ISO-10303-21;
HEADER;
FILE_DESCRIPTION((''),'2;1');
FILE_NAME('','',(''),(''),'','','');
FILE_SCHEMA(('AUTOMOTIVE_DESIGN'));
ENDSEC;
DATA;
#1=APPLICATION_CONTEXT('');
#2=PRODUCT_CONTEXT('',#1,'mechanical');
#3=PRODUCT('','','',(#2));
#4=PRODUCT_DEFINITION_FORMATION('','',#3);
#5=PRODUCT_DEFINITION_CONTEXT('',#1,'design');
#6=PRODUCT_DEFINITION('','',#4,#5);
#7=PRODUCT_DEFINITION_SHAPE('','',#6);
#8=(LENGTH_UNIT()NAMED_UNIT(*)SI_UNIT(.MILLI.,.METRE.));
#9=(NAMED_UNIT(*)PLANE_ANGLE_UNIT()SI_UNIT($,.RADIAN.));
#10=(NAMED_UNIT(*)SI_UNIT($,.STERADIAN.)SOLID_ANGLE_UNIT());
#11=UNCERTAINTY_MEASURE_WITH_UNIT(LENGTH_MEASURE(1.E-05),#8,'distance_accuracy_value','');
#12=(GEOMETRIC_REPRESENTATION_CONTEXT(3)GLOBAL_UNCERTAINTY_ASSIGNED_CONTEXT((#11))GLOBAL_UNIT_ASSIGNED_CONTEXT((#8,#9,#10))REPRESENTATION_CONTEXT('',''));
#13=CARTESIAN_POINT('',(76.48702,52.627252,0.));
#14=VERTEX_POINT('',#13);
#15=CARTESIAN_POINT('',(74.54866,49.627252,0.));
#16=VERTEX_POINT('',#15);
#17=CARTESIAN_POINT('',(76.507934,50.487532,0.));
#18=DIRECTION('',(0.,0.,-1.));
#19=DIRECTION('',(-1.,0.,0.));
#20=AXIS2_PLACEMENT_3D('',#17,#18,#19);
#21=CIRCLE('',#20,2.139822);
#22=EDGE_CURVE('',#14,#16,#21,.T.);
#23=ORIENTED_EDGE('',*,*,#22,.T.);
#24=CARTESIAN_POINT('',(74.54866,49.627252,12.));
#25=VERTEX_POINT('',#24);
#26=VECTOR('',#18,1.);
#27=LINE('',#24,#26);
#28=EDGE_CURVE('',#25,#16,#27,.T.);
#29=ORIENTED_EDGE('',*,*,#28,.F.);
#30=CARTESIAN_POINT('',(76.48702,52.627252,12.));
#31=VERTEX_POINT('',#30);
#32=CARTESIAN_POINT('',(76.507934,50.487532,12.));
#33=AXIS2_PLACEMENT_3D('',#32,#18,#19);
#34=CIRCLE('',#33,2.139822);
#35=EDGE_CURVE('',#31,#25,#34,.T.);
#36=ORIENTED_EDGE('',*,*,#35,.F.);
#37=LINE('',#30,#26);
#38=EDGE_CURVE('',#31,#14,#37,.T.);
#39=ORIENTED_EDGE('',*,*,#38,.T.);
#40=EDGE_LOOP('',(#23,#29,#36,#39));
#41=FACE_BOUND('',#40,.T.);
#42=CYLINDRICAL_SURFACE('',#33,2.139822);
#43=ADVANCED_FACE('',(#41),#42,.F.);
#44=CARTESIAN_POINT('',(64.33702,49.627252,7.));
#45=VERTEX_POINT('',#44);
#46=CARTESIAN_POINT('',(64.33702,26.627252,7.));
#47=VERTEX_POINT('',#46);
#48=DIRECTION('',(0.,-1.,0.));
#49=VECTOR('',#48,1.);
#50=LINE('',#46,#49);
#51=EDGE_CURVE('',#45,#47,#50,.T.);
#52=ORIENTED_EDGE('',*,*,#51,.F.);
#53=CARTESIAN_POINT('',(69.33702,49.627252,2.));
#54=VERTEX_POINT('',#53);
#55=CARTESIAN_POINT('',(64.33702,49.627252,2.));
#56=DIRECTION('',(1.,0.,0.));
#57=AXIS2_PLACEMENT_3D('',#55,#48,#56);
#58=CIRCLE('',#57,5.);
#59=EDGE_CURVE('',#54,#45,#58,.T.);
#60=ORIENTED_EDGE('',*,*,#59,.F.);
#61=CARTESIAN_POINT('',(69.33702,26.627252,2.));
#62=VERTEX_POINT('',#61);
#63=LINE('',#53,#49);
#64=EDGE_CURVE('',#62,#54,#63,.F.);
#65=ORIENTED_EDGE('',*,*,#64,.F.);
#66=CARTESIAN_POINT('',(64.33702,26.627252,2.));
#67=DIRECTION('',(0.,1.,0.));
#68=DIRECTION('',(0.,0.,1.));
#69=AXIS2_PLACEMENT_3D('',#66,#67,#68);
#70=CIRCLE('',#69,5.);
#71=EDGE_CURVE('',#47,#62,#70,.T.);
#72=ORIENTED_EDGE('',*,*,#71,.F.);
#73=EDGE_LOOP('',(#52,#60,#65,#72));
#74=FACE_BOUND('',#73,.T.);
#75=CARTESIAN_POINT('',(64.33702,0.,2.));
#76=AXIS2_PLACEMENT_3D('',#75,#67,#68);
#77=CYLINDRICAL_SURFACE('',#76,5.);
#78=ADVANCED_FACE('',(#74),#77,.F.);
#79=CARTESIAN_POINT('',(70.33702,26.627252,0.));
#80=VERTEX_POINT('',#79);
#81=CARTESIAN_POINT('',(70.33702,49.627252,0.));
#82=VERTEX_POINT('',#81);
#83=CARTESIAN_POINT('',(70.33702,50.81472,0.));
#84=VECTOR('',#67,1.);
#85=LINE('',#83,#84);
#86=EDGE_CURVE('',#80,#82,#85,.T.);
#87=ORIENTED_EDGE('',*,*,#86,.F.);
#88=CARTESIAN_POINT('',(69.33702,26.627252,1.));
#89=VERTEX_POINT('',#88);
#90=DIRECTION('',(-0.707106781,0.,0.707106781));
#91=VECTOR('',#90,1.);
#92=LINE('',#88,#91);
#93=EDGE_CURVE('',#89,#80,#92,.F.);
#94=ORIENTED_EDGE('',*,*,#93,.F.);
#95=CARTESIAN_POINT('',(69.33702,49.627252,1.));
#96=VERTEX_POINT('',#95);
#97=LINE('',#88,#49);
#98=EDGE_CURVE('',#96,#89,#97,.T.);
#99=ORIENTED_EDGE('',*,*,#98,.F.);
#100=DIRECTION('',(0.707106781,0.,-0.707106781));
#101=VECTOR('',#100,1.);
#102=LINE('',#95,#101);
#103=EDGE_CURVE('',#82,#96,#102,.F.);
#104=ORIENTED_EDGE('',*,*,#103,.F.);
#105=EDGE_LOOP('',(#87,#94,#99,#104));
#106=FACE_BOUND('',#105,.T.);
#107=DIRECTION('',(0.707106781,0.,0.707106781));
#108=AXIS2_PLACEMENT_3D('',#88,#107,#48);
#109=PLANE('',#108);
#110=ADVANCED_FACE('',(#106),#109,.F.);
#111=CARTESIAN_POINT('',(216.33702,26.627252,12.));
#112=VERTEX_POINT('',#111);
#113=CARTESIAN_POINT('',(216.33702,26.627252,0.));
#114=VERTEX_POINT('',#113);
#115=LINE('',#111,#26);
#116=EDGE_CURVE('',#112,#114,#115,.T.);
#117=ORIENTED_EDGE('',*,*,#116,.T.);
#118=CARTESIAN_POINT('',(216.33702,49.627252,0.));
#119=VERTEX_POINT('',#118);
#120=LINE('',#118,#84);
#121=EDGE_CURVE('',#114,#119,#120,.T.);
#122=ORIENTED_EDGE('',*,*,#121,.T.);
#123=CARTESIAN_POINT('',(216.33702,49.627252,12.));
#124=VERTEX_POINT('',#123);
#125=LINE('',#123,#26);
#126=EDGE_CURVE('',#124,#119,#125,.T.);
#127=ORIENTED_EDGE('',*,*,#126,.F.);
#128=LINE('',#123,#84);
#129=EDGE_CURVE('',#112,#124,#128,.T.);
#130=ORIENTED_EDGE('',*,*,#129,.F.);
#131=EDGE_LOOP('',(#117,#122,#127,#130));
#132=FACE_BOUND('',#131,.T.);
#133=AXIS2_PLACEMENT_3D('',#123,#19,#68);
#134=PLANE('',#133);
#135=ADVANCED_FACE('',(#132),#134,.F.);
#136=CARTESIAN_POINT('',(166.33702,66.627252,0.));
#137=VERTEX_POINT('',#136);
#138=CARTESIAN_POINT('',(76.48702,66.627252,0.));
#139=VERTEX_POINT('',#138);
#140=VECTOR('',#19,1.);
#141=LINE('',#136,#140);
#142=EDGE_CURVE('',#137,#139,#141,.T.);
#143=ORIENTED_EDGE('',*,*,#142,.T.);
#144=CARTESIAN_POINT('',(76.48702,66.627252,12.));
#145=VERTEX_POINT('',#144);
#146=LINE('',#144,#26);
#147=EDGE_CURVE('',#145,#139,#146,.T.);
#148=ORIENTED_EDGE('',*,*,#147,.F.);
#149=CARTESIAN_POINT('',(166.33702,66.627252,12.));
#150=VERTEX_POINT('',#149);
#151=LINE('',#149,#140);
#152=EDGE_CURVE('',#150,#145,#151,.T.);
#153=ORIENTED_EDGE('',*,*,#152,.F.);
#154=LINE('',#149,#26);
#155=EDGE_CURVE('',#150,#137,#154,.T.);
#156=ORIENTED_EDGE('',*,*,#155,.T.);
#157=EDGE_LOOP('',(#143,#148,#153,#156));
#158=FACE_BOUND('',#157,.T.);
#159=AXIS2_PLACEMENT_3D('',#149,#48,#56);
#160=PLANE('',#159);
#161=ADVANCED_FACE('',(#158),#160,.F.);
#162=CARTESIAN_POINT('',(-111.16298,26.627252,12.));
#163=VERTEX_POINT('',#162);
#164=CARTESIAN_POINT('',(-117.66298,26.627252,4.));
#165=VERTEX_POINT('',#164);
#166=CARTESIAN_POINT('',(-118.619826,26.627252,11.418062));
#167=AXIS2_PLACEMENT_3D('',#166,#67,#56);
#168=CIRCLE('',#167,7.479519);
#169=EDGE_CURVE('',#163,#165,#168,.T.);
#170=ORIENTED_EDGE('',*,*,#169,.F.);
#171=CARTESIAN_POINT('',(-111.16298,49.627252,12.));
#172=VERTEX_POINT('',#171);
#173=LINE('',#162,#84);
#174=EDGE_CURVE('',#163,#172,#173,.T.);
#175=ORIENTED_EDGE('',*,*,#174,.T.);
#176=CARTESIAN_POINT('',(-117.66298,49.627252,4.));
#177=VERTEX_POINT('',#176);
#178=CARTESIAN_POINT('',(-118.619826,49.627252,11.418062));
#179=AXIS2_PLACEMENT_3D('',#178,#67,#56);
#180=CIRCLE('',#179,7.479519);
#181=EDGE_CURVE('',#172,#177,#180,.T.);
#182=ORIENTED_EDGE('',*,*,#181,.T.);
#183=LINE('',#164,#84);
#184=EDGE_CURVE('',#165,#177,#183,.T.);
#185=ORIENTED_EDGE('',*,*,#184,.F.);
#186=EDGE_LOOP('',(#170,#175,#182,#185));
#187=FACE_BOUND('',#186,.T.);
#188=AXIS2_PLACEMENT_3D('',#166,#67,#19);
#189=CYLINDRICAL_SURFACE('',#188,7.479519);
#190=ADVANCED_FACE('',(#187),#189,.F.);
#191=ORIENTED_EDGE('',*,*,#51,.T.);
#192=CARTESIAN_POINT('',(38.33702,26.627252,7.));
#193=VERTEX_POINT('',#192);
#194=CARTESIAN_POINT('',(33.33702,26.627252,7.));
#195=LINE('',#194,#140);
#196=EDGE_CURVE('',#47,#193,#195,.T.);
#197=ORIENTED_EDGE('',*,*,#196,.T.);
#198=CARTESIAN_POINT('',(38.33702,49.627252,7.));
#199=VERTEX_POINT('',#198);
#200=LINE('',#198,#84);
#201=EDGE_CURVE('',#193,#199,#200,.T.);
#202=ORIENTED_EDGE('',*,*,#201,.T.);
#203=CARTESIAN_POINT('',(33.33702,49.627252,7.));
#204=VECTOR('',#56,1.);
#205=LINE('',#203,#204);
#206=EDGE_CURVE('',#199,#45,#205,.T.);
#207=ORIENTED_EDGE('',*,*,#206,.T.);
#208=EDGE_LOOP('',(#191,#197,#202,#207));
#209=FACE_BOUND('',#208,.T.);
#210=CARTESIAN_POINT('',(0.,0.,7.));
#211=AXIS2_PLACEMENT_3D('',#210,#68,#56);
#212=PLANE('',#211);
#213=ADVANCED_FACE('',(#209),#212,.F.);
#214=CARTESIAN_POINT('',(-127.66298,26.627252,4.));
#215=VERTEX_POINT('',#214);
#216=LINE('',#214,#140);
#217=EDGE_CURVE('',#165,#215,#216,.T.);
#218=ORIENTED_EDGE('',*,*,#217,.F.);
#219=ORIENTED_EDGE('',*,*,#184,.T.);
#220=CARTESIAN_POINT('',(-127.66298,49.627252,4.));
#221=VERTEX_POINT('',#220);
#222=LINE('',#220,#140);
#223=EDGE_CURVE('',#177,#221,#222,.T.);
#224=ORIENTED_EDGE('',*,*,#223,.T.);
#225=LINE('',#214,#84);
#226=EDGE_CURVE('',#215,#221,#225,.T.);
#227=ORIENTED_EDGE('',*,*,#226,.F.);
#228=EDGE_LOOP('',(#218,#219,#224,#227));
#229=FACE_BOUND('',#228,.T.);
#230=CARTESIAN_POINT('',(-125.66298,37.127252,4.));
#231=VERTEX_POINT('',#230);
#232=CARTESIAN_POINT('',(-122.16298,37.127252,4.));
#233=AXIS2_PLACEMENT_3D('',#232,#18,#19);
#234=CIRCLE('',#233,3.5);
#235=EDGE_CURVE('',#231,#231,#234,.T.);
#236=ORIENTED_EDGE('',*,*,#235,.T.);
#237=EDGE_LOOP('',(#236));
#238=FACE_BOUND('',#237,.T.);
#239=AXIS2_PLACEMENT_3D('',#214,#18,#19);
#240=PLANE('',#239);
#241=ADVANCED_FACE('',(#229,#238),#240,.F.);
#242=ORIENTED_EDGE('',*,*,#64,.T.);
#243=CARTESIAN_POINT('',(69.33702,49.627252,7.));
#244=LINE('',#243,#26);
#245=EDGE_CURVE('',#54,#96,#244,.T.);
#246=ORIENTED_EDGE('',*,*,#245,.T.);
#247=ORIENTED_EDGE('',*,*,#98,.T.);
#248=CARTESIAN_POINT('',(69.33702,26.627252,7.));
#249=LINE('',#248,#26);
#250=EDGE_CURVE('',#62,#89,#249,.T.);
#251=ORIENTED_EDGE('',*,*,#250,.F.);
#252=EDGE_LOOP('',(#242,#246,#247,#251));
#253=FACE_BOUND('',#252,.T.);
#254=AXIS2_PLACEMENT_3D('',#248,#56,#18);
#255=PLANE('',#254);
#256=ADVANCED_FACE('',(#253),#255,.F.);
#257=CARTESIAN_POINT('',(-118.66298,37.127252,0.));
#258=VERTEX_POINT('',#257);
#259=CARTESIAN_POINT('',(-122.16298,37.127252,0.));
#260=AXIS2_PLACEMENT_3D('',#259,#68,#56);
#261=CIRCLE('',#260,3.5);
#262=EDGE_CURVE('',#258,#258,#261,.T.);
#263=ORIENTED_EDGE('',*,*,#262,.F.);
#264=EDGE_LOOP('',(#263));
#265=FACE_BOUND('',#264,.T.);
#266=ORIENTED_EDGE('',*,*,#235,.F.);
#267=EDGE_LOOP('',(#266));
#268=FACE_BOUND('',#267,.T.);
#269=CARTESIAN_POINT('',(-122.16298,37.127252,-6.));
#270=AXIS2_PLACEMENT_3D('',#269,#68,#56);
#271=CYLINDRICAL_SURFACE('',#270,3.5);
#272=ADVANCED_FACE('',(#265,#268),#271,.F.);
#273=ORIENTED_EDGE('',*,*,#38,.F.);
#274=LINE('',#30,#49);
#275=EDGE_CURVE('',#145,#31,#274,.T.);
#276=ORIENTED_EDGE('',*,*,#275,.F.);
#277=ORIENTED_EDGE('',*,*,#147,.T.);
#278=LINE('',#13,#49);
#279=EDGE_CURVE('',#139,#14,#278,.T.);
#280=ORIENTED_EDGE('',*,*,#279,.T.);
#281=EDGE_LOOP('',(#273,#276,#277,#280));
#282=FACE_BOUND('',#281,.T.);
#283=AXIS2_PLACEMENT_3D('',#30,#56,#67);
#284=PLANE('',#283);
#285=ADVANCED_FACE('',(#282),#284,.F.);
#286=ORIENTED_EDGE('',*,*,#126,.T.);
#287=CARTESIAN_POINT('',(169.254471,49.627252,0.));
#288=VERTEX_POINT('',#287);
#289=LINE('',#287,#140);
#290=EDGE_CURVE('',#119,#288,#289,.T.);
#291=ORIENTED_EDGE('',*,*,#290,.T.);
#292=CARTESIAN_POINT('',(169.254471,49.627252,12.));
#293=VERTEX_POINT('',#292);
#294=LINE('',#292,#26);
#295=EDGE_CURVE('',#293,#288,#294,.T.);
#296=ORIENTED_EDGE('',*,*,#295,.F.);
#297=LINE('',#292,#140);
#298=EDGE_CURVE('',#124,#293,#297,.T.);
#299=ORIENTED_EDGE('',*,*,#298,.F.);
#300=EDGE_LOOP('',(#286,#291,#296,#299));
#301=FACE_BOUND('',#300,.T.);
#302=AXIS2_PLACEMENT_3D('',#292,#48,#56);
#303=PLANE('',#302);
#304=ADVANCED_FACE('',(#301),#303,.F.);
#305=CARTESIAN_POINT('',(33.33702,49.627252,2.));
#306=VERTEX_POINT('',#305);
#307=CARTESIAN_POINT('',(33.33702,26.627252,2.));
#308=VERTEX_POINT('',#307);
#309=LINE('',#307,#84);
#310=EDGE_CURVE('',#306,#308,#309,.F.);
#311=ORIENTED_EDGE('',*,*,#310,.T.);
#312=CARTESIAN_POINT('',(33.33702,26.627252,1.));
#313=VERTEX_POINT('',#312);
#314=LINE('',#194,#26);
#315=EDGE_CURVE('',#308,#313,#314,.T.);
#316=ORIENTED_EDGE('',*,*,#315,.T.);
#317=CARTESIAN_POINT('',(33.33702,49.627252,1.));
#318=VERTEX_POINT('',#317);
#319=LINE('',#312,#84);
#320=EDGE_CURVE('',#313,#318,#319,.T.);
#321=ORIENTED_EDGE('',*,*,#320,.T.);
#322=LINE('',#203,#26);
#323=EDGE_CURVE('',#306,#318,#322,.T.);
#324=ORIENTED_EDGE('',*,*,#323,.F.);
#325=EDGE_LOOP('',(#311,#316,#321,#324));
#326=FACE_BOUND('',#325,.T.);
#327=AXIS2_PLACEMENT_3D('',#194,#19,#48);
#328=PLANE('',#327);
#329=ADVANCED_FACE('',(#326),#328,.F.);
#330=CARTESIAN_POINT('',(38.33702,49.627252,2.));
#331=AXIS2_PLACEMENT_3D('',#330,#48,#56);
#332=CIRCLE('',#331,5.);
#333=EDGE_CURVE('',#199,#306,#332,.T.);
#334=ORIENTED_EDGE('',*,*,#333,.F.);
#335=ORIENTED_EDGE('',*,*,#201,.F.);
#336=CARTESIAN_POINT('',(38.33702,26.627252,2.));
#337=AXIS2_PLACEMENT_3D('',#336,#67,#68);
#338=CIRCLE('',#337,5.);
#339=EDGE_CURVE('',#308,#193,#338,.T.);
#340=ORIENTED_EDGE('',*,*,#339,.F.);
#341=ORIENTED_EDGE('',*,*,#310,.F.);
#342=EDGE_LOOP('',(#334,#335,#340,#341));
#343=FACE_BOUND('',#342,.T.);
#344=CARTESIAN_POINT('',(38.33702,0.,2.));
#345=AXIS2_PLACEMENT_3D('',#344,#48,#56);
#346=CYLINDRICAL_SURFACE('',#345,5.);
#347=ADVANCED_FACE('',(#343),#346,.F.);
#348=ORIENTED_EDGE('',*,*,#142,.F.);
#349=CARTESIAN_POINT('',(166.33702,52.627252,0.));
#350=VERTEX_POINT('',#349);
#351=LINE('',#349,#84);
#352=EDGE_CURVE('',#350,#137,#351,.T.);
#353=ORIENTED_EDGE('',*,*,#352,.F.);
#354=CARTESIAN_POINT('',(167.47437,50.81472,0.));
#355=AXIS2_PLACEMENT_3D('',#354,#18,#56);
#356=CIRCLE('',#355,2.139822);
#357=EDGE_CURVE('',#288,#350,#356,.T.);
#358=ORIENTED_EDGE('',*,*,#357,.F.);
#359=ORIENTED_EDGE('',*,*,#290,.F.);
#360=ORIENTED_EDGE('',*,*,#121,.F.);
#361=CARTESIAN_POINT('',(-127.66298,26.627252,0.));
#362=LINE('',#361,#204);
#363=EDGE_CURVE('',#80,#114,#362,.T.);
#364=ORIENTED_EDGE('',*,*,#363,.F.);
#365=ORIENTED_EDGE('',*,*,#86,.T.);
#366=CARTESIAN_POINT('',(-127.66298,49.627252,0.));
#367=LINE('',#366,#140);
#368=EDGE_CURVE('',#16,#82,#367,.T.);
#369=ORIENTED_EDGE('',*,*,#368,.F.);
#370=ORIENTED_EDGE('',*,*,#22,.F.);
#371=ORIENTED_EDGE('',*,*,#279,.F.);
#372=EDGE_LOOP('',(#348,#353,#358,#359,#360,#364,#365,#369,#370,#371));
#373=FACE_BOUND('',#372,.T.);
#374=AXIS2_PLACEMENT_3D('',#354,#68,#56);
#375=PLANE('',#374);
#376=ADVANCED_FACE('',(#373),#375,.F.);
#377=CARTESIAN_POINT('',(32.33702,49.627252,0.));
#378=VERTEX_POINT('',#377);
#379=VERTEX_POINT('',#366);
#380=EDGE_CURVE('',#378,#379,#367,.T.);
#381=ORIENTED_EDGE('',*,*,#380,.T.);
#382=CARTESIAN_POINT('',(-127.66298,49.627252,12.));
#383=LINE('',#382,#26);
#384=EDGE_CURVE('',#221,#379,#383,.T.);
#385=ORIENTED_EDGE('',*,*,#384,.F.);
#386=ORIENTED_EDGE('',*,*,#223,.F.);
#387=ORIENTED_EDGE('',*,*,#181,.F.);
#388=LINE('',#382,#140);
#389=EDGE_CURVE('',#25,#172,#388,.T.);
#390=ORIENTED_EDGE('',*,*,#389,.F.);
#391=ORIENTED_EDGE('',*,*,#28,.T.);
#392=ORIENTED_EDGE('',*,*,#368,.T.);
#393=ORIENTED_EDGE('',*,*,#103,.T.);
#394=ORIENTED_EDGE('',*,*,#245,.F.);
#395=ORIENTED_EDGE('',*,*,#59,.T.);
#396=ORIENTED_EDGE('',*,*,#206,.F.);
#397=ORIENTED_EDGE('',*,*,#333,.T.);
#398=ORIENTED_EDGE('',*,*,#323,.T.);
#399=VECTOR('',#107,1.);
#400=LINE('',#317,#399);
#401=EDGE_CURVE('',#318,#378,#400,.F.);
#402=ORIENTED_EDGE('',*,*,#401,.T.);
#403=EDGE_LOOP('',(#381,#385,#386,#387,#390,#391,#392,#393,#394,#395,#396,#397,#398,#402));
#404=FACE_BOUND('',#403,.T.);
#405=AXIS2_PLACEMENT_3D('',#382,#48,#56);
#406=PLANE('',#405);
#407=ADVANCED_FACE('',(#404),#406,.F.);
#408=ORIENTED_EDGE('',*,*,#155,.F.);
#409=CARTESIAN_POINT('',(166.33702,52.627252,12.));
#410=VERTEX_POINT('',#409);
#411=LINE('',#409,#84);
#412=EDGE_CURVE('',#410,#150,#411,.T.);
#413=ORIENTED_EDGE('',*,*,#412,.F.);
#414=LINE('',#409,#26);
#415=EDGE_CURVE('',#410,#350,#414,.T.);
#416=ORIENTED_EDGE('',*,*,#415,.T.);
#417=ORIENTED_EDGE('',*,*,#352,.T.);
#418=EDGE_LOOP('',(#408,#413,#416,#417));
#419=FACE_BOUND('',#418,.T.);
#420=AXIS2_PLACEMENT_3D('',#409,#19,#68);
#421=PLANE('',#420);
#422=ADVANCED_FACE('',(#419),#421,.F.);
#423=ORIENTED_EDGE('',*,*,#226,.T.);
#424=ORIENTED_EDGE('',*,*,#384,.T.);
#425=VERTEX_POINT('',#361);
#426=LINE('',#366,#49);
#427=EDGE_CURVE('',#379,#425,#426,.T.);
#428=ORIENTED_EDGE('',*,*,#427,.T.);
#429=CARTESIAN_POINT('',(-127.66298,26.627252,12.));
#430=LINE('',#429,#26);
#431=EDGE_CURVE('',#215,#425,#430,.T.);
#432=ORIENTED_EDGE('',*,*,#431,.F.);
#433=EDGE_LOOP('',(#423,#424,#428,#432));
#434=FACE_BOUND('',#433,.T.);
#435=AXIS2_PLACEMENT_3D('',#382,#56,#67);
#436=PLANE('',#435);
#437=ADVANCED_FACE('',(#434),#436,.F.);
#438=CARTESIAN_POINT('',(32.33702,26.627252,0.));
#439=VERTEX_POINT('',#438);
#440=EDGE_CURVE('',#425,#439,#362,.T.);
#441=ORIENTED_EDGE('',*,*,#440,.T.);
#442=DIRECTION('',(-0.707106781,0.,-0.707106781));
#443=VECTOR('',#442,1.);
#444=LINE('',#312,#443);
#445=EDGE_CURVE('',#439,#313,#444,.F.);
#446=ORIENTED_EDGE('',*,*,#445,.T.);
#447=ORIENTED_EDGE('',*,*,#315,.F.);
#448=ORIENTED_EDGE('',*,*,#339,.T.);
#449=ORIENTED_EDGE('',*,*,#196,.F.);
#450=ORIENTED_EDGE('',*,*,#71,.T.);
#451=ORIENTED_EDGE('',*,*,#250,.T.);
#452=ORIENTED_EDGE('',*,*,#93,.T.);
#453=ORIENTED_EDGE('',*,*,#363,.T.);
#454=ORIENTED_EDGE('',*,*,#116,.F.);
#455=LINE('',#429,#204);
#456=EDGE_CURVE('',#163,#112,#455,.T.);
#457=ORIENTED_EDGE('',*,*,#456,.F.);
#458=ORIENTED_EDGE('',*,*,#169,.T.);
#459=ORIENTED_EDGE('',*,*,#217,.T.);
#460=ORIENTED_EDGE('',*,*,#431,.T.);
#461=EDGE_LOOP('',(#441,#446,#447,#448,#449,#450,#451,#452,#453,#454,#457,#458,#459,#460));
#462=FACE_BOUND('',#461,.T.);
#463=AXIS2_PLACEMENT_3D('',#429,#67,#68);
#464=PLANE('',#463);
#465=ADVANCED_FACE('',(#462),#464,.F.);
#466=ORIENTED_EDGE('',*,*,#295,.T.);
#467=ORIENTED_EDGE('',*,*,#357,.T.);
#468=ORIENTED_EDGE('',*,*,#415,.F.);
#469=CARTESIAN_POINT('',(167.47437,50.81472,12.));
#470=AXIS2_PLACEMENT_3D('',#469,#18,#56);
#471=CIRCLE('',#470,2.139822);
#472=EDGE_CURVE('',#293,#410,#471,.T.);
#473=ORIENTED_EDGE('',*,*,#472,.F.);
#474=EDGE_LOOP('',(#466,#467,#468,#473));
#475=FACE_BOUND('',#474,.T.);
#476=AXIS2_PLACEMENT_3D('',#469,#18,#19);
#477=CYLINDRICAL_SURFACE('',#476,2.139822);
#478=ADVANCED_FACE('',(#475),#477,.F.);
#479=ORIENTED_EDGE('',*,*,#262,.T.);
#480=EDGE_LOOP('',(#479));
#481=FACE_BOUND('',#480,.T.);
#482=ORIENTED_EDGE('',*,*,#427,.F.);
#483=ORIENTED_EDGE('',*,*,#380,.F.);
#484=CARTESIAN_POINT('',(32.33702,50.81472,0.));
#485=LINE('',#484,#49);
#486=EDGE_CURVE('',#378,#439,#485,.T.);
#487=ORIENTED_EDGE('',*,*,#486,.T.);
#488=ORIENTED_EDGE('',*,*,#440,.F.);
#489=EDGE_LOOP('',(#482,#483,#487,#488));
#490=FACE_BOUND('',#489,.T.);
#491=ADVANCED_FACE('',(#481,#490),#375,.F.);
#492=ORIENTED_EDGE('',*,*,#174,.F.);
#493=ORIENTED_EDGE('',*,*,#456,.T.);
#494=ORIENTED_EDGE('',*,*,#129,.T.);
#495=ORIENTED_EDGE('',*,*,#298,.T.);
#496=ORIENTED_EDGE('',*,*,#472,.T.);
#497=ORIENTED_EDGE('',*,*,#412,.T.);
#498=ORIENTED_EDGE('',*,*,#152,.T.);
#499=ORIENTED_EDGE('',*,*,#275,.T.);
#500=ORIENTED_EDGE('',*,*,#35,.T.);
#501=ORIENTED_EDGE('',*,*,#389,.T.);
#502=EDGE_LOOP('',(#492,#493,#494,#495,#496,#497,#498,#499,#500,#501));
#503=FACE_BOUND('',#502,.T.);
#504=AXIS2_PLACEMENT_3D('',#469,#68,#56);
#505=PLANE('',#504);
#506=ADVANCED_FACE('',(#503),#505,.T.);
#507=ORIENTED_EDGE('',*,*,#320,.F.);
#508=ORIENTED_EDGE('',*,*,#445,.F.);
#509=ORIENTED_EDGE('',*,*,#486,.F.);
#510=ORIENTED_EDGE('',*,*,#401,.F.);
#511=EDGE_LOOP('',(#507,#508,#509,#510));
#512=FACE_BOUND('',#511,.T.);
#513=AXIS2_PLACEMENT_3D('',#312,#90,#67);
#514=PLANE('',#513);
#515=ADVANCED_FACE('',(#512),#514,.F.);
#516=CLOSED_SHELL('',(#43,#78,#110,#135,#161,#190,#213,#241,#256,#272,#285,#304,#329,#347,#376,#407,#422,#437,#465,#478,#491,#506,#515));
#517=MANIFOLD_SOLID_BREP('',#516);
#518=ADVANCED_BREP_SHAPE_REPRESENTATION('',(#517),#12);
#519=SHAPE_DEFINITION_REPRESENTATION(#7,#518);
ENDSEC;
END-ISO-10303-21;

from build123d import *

# Parameters (mm, degrees)
SALIENTE_EXTRUIR1_DEPTH = 12
CROQUIS3_W              = 36
CROQUIS3_H              = 23
CORTAR_EXTRUIR2_DEPTH   = 7
REDONDEO1_R             = 5
CHAFL_N1_SIZE           = 1
CORTAR_EXTRUIR3_DEPTH   = 24
CROQUIS5_R              = 3.5
CORTAR_EXTRUIR4_DEPTH   = 20


with BuildPart() as part:
    # Croquis1 → Saliente-Extruir1 (new body)
    with BuildSketch(Plane.XY):
        with BuildLine():
            Line((216.337020033, 49.627252252), (216.337020033, 26.627252252))
            Line((216.337020033, 26.627252252), (-127.662979967, 26.627252252))
            Line((-127.662979967, 26.627252252), (-127.662979967, 49.627252252))
            Line((-127.662979967, 49.627252252), (74.548659913, 49.627252252))
            ThreePointArc((74.548659913, 49.627252252), (78.30523428, 49.32626093), (76.487020033, 52.627252252))
            Line((76.487020033, 52.627252252), (76.487020033, 66.627252252))
            Line((76.487020033, 66.627252252), (166.337020033, 66.627252252))
            Line((166.337020033, 66.627252252), (166.337020033, 52.627252252))
            ThreePointArc((166.337020033, 52.627252252), (165.940329064, 49.322890173), (169.254470914, 49.627252252))
            Line((169.254470914, 49.627252252), (216.337020033, 49.627252252))
        make_face()
    extrude(amount=SALIENTE_EXTRUIR1_DEPTH)

    # Croquis3 → Cortar-Extruir2 (cut)
    with BuildSketch(Plane(origin=(0, 0, 0), x_dir=(-1, 0, 0), z_dir=(0, 0, -1))):
        with Locations((-51.337020033, 38.127252252)):
            Rectangle(CROQUIS3_W, CROQUIS3_H)
    extrude(amount=-CORTAR_EXTRUIR2_DEPTH, mode=Mode.SUBTRACT)

    # Redondeo1
    redondeo1_edges = [part.edges().sort_by_distance(p)[0] for p in [
        (69.337020033, 38.127252252, 7),
        (33.337020033, 38.127252252, 7),
    ]]
    fillet(redondeo1_edges, radius=REDONDEO1_R)

    # Chaflán1
    chafl_n1_edges = [part.edges().sort_by_distance(p)[0] for p in [
        (33.337020033, 38.127252252, 0),
        (69.337020033, 38.127252252, 0),
    ]]
    chamfer(chafl_n1_edges, length=CHAFL_N1_SIZE)

    # Croquis4 → Cortar-Extruir3 (cut, through all)
    with BuildSketch(Plane(origin=(0, 49.627252252, 0), x_dir=(1, 0, 0), z_dir=(0, 1, 0))):
        with BuildLine():
            Line((-127.662979967, -12), (-127.662979967, -4))
            Line((-127.662979967, -4), (-117.662979967, -4))
            ThreePointArc((-117.662979967, -4), (-112.814866526, -6.70153283), (-111.162979967, -12))
            Line((-111.162979967, -12), (-127.662979967, -12))
        make_face()
    extrude(amount=-CORTAR_EXTRUIR3_DEPTH, mode=Mode.SUBTRACT)

    # Croquis5 → Cortar-Extruir4 (cut)
    with BuildSketch(Plane.XY.offset(14)):
        with Locations((-122.162979967, 37.127252252)):
            Circle(CROQUIS5_R)
    extrude(amount=-CORTAR_EXTRUIR4_DEPTH, mode=Mode.SUBTRACT)


solid = part.part
